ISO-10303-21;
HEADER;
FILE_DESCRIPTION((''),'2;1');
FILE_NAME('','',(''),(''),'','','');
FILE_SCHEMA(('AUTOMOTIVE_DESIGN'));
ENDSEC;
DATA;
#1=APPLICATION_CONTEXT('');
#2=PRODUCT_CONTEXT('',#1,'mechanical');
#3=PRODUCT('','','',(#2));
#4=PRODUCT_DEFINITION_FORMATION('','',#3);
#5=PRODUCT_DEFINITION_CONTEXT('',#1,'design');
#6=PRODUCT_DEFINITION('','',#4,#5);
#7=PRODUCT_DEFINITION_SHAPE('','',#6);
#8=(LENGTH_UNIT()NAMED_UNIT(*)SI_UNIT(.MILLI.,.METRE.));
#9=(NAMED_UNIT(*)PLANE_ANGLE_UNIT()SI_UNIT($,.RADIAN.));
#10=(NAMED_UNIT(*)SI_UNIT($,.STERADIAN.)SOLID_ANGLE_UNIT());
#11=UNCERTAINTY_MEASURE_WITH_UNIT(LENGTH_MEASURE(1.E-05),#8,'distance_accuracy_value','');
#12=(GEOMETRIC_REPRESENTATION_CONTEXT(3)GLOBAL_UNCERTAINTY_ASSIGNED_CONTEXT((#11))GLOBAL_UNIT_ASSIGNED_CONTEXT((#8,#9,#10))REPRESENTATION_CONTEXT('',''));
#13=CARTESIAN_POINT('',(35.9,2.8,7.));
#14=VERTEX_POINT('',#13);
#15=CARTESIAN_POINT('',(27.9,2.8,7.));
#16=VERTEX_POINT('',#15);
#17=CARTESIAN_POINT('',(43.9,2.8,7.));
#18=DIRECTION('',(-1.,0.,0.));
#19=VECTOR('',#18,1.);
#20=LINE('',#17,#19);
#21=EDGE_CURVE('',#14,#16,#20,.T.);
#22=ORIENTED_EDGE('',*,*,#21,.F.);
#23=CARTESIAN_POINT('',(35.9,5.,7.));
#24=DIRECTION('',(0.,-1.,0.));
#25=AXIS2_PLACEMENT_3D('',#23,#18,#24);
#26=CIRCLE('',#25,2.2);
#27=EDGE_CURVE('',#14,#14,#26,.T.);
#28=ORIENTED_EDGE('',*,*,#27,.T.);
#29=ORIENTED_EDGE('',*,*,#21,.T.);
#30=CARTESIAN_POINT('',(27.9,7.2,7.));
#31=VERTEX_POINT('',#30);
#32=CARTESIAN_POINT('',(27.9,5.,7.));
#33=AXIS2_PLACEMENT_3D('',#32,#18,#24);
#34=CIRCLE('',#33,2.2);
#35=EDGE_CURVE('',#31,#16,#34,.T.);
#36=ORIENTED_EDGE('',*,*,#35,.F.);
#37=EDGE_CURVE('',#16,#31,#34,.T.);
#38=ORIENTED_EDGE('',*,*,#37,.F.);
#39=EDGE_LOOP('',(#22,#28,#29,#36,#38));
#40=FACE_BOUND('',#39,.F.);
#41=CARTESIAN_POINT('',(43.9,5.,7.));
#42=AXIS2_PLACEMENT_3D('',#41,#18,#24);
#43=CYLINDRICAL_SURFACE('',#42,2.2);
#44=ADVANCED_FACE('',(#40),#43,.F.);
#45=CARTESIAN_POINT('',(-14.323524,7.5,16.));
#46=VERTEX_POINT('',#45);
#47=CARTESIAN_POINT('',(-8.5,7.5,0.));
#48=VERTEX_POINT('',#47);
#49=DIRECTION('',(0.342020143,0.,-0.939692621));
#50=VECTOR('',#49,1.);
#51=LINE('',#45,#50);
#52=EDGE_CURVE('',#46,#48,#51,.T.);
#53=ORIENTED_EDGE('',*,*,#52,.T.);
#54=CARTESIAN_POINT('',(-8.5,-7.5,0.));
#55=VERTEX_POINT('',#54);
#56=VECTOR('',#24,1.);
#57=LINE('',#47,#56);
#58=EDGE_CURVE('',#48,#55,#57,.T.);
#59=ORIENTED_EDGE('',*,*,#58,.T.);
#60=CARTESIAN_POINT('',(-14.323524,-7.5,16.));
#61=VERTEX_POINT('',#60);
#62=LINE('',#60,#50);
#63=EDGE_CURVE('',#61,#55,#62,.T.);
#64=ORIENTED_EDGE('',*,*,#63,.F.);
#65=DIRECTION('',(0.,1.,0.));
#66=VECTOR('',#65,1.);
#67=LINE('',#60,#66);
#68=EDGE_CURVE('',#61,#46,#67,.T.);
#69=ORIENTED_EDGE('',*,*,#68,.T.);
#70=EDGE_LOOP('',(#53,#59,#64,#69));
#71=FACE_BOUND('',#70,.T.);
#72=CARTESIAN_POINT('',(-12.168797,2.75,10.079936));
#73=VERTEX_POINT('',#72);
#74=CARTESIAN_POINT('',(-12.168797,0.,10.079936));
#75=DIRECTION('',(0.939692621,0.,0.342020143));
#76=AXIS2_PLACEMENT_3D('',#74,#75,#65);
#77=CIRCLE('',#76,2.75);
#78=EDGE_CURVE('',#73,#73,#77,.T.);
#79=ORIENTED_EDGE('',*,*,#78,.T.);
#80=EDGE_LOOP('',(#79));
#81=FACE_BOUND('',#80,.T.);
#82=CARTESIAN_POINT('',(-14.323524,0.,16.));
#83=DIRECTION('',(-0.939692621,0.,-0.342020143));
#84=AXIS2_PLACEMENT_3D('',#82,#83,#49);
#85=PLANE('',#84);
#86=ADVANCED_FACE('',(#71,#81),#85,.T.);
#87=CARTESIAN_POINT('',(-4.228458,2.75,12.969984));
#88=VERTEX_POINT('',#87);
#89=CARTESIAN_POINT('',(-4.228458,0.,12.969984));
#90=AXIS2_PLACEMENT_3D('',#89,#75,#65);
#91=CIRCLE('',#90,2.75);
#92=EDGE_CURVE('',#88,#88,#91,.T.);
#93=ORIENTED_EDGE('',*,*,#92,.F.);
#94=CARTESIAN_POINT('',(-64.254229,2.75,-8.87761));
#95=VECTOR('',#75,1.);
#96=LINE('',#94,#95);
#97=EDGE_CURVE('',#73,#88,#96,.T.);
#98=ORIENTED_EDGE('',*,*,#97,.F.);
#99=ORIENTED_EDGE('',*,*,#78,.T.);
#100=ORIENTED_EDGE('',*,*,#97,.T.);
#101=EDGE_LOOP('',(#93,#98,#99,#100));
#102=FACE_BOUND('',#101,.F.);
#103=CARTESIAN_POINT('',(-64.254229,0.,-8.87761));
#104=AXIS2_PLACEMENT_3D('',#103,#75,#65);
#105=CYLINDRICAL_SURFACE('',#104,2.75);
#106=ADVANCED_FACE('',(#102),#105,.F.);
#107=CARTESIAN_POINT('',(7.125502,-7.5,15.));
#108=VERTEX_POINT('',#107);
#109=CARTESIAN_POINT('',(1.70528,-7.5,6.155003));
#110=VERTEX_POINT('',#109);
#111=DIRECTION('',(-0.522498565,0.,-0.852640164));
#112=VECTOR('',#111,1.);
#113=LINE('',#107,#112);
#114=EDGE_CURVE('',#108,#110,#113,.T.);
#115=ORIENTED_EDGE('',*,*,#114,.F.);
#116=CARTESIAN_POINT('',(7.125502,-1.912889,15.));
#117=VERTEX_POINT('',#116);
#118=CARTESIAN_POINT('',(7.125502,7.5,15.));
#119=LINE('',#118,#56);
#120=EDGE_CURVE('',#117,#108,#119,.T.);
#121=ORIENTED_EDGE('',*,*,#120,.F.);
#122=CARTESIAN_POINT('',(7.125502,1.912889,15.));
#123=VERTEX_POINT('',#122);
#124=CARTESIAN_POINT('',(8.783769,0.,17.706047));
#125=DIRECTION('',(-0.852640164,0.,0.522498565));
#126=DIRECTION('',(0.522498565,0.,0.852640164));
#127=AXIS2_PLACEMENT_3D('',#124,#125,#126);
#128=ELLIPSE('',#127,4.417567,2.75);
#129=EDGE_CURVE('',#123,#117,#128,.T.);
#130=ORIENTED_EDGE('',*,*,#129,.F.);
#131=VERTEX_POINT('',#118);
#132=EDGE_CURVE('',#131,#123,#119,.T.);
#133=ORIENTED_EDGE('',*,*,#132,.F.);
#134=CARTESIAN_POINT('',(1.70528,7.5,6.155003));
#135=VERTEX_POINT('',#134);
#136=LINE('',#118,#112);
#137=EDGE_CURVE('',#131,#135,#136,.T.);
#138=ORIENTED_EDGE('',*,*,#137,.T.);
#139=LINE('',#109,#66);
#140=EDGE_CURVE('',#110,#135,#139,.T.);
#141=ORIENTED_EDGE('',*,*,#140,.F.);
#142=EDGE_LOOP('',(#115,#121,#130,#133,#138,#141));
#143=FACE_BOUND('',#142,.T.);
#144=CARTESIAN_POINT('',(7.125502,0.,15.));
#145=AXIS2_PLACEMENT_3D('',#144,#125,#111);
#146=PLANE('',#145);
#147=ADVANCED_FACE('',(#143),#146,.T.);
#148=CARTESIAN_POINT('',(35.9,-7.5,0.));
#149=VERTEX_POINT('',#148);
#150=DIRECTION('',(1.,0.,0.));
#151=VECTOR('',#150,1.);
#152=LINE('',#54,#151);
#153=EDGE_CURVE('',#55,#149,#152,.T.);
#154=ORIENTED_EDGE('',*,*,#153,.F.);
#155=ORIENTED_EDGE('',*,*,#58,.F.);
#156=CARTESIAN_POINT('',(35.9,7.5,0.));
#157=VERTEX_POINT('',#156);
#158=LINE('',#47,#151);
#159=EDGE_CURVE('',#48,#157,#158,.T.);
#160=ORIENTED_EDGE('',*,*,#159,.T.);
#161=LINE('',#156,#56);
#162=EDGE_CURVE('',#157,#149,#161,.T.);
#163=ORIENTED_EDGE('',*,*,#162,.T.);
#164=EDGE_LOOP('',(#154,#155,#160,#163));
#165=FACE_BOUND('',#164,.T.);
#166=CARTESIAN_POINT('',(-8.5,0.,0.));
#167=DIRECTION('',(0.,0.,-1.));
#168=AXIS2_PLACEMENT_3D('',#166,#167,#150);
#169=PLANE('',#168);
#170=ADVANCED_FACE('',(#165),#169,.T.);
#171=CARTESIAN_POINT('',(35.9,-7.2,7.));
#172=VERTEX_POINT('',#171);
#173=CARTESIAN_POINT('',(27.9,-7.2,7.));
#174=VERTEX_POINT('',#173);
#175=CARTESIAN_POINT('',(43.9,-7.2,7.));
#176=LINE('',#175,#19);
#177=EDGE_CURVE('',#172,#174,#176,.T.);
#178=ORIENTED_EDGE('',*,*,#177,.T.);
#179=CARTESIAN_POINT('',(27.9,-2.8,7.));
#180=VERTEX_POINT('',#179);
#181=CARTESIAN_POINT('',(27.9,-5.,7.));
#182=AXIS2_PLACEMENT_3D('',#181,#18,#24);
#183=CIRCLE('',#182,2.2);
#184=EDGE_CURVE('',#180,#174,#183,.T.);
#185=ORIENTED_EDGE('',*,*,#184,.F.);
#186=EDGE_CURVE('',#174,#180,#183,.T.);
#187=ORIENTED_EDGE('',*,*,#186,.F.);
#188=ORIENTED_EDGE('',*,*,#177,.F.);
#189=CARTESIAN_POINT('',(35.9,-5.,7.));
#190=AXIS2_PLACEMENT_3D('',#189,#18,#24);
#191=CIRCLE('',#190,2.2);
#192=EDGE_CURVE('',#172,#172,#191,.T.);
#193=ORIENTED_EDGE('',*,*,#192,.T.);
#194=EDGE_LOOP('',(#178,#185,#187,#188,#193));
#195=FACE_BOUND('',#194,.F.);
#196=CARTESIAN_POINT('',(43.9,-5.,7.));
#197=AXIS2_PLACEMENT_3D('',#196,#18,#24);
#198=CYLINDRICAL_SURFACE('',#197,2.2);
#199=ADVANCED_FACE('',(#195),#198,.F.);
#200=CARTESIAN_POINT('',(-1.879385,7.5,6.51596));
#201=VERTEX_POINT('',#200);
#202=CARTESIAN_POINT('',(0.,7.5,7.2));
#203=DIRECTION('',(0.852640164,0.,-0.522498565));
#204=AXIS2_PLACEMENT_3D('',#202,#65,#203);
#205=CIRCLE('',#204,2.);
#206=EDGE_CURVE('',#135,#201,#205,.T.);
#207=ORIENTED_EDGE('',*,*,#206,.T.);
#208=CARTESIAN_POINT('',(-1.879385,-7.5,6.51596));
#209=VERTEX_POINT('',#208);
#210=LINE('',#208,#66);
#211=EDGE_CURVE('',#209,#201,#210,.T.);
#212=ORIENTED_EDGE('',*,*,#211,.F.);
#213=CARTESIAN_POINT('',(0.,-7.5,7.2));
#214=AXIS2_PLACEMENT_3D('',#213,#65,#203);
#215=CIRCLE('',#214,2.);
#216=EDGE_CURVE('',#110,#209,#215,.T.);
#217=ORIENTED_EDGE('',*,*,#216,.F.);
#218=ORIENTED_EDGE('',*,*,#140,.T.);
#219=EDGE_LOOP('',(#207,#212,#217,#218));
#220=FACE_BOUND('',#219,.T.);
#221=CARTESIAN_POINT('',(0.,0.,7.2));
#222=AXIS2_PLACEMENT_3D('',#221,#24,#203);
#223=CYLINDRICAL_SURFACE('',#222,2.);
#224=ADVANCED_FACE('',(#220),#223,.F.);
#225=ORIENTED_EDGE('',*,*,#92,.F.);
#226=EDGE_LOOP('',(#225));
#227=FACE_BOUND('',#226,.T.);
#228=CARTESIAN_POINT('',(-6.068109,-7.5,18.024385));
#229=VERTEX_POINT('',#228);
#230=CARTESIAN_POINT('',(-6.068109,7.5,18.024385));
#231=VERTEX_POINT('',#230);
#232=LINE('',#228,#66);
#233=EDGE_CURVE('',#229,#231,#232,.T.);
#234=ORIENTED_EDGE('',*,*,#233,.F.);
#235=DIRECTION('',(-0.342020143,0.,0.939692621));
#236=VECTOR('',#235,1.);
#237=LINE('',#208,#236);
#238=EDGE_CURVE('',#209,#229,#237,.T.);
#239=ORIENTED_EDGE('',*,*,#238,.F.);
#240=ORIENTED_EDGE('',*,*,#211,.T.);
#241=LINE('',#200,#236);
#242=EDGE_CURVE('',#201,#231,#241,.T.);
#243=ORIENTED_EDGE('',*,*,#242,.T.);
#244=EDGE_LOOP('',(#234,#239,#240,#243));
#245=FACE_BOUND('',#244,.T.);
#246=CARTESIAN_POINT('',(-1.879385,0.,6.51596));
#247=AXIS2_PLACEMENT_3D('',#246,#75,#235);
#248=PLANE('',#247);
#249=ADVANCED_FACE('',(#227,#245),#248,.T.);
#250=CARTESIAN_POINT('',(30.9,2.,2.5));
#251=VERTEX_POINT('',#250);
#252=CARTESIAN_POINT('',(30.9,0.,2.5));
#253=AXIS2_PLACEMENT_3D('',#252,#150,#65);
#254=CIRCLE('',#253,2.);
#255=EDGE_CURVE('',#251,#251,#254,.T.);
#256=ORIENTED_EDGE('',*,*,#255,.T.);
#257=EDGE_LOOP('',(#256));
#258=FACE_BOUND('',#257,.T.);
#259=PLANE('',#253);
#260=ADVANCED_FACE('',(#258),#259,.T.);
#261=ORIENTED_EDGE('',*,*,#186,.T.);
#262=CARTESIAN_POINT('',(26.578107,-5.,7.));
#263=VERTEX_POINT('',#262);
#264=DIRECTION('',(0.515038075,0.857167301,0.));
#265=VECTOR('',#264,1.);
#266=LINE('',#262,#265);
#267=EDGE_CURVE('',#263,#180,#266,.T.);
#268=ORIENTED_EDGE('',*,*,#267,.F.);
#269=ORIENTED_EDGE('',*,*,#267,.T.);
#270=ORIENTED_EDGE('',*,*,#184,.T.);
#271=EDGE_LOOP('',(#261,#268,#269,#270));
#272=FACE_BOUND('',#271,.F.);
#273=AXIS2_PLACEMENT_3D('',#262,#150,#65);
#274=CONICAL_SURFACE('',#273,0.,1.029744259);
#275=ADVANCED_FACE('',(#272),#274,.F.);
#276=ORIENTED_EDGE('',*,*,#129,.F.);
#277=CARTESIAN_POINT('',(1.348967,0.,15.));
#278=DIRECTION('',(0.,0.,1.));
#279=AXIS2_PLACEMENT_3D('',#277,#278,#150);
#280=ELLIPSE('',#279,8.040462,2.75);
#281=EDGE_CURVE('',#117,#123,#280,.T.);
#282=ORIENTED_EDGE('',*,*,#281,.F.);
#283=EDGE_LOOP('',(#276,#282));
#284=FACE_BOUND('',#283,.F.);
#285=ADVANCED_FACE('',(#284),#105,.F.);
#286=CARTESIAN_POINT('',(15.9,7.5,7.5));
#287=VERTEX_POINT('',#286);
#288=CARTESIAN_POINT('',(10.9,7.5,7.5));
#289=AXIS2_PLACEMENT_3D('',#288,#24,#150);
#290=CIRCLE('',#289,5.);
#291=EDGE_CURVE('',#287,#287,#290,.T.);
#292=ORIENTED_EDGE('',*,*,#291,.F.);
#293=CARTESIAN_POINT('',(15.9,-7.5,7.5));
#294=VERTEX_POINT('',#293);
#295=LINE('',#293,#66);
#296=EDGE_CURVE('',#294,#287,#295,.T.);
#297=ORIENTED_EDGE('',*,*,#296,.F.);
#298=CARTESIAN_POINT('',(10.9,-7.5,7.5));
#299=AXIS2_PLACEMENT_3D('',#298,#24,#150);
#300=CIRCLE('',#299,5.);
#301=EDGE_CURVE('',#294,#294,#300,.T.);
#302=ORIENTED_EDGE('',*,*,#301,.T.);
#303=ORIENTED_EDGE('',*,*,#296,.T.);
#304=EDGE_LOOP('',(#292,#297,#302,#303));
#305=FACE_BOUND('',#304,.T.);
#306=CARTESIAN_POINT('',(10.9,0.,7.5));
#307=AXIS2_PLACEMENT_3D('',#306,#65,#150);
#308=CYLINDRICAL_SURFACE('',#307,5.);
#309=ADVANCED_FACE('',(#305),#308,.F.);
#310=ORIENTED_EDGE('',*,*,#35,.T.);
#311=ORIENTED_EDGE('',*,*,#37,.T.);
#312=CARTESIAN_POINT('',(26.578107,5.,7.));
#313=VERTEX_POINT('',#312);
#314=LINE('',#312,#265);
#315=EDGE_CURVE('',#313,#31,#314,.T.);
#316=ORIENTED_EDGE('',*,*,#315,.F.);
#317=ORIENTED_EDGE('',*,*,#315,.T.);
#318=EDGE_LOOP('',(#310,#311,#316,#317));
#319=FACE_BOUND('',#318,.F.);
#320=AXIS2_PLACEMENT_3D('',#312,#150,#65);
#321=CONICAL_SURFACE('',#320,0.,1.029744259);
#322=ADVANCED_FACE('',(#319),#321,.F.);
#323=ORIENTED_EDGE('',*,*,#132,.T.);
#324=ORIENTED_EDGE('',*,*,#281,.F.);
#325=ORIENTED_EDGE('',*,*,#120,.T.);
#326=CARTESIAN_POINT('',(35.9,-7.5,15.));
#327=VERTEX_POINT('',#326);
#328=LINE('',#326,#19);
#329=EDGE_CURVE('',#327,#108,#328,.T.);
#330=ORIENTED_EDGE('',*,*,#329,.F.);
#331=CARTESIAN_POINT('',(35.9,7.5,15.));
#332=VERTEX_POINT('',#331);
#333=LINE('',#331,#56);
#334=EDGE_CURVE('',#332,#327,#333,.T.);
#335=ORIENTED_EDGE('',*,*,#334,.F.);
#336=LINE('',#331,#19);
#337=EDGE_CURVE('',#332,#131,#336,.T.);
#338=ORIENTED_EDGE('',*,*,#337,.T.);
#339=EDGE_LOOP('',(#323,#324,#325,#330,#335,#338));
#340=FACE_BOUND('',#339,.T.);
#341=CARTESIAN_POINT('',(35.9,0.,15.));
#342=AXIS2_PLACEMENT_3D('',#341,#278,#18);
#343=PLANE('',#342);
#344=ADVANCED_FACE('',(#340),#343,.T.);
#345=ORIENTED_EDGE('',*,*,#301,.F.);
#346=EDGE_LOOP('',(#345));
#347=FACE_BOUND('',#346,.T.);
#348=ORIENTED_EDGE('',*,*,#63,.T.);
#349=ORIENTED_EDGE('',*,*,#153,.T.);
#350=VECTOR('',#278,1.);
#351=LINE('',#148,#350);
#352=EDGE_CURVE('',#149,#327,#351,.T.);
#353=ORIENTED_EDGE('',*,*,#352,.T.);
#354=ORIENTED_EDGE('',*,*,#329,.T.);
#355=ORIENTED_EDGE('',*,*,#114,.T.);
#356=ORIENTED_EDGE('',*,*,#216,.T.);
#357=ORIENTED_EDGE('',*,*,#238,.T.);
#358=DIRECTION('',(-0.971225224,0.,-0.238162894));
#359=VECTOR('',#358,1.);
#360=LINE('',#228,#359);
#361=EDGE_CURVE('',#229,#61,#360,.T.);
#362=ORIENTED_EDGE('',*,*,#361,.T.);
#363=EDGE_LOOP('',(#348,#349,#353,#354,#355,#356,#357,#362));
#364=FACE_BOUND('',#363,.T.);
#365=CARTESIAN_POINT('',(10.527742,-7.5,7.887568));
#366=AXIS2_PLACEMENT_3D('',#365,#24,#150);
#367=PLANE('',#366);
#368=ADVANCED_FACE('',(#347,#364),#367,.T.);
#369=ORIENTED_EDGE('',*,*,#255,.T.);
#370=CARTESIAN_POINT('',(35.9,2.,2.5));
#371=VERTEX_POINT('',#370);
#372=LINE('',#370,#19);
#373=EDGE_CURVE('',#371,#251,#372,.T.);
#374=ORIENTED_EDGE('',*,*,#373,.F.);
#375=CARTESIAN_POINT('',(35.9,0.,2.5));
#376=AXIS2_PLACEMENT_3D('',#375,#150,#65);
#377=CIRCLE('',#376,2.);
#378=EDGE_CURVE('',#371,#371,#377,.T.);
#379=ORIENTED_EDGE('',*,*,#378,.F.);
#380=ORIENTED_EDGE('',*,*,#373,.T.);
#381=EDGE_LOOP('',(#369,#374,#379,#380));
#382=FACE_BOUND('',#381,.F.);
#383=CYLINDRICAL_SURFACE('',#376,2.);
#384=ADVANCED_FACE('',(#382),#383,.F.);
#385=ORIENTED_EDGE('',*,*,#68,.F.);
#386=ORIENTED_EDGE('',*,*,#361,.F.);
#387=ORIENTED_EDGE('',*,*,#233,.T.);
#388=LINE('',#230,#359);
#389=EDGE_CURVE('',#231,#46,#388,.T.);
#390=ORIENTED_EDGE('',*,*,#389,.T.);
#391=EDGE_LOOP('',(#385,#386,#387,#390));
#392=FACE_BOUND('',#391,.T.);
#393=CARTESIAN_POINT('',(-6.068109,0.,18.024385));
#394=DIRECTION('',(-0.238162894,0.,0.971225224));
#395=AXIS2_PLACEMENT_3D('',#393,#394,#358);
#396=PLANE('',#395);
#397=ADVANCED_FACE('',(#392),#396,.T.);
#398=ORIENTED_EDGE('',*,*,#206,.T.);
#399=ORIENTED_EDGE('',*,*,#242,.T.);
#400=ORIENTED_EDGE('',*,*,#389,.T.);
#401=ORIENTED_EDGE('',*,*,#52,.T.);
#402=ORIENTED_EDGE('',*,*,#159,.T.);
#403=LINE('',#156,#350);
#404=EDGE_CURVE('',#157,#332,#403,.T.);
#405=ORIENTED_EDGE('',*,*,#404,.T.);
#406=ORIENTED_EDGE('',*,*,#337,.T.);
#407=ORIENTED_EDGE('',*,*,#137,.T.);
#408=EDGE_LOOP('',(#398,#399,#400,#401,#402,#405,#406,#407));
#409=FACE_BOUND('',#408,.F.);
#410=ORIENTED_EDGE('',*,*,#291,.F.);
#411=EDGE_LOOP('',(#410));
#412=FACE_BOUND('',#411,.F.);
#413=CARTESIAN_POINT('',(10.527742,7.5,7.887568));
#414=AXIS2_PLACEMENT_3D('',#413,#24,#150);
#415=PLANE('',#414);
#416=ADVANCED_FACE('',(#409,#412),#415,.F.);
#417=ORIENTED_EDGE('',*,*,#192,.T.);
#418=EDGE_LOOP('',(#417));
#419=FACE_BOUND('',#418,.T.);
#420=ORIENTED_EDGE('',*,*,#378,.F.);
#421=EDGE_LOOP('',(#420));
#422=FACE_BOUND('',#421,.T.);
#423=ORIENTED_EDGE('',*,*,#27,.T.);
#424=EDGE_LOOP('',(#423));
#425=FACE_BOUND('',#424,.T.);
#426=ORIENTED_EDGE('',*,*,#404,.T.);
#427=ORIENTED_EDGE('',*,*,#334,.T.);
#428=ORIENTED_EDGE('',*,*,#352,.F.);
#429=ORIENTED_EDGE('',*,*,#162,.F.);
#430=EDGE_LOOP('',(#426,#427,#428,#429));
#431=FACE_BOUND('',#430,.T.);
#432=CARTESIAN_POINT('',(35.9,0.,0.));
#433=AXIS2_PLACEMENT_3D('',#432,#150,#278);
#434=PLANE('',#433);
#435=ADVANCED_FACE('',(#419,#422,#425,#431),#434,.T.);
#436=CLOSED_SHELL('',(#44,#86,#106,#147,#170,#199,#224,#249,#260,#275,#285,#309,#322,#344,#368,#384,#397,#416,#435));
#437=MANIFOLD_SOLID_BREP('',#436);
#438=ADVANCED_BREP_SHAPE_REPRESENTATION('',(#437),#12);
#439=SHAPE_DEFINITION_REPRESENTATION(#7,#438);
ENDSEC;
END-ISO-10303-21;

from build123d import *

# Parameters (mm, degrees)
F0_R     = 5
F1_DEPTH = 7.5
F3_D     = 5.5
F4_R     = 2
F5_DEPTH = 5
F6_D     = 4.4
F6_DEPTH = 8
F6_TIP   = 1.3218933619


with BuildPart() as f1:
    # F0 (on Front) → F1 (new body, symmetric)
    with BuildSketch(Plane.XZ):
        with BuildLine():
            Line((-14.3235237483, 16), (-8.5, 0))
            Line((-8.5, 0), (35.9, 0))
            Line((35.9, 0), (35.9, 15))
            Line((35.9, 15), (7.1255015407, 15))
            Line((7.1255015407, 15), (1.7052803287, 6.1550028706))
            ThreePointArc((1.7052803287, 6.1550028706), (-0.2003761232, 5.2100629635), (-1.8793852416, 6.5159597133))
            Line((-1.8793852416, 6.5159597133), (-6.0681093439, 18.0243846007))
            Line((-6.0681093439, 18.0243846007), (-14.3235237483, 16))
        make_face()
        with Locations((10.9, 7.5)):
            Circle(F0_R, mode=Mode.SUBTRACT)
    extrude(amount=F1_DEPTH, both=True)

    # F3 (through all)
    with Locations(Plane(origin=(-7.5056888833, 0, -2.7318473412), x_dir=(0, -1, 0), z_dir=(-0.9396926208, 0, -0.3420201433))):
        with Locations((0, 13.6340155779)):
            Hole(F3_D / 2)

    # F4 (on face) → F5 (cut)
    with BuildSketch(Plane.YZ.offset(35.9)):
        with Locations((0, 2.5)):
            Circle(F4_R)
    extrude(amount=-F5_DEPTH, mode=Mode.SUBTRACT)

    # F6
    with Locations(Plane.YZ.offset(35.9)):
        with Locations((-5, 7), (5, 7)):
            Hole(F6_D / 2, depth=F6_DEPTH)
            with Locations((0, 0, -(F6_DEPTH + F6_TIP / 2))):  # 118° drill point
                Cone(0, F6_D / 2, F6_TIP, mode=Mode.SUBTRACT)


solid = f1.part
